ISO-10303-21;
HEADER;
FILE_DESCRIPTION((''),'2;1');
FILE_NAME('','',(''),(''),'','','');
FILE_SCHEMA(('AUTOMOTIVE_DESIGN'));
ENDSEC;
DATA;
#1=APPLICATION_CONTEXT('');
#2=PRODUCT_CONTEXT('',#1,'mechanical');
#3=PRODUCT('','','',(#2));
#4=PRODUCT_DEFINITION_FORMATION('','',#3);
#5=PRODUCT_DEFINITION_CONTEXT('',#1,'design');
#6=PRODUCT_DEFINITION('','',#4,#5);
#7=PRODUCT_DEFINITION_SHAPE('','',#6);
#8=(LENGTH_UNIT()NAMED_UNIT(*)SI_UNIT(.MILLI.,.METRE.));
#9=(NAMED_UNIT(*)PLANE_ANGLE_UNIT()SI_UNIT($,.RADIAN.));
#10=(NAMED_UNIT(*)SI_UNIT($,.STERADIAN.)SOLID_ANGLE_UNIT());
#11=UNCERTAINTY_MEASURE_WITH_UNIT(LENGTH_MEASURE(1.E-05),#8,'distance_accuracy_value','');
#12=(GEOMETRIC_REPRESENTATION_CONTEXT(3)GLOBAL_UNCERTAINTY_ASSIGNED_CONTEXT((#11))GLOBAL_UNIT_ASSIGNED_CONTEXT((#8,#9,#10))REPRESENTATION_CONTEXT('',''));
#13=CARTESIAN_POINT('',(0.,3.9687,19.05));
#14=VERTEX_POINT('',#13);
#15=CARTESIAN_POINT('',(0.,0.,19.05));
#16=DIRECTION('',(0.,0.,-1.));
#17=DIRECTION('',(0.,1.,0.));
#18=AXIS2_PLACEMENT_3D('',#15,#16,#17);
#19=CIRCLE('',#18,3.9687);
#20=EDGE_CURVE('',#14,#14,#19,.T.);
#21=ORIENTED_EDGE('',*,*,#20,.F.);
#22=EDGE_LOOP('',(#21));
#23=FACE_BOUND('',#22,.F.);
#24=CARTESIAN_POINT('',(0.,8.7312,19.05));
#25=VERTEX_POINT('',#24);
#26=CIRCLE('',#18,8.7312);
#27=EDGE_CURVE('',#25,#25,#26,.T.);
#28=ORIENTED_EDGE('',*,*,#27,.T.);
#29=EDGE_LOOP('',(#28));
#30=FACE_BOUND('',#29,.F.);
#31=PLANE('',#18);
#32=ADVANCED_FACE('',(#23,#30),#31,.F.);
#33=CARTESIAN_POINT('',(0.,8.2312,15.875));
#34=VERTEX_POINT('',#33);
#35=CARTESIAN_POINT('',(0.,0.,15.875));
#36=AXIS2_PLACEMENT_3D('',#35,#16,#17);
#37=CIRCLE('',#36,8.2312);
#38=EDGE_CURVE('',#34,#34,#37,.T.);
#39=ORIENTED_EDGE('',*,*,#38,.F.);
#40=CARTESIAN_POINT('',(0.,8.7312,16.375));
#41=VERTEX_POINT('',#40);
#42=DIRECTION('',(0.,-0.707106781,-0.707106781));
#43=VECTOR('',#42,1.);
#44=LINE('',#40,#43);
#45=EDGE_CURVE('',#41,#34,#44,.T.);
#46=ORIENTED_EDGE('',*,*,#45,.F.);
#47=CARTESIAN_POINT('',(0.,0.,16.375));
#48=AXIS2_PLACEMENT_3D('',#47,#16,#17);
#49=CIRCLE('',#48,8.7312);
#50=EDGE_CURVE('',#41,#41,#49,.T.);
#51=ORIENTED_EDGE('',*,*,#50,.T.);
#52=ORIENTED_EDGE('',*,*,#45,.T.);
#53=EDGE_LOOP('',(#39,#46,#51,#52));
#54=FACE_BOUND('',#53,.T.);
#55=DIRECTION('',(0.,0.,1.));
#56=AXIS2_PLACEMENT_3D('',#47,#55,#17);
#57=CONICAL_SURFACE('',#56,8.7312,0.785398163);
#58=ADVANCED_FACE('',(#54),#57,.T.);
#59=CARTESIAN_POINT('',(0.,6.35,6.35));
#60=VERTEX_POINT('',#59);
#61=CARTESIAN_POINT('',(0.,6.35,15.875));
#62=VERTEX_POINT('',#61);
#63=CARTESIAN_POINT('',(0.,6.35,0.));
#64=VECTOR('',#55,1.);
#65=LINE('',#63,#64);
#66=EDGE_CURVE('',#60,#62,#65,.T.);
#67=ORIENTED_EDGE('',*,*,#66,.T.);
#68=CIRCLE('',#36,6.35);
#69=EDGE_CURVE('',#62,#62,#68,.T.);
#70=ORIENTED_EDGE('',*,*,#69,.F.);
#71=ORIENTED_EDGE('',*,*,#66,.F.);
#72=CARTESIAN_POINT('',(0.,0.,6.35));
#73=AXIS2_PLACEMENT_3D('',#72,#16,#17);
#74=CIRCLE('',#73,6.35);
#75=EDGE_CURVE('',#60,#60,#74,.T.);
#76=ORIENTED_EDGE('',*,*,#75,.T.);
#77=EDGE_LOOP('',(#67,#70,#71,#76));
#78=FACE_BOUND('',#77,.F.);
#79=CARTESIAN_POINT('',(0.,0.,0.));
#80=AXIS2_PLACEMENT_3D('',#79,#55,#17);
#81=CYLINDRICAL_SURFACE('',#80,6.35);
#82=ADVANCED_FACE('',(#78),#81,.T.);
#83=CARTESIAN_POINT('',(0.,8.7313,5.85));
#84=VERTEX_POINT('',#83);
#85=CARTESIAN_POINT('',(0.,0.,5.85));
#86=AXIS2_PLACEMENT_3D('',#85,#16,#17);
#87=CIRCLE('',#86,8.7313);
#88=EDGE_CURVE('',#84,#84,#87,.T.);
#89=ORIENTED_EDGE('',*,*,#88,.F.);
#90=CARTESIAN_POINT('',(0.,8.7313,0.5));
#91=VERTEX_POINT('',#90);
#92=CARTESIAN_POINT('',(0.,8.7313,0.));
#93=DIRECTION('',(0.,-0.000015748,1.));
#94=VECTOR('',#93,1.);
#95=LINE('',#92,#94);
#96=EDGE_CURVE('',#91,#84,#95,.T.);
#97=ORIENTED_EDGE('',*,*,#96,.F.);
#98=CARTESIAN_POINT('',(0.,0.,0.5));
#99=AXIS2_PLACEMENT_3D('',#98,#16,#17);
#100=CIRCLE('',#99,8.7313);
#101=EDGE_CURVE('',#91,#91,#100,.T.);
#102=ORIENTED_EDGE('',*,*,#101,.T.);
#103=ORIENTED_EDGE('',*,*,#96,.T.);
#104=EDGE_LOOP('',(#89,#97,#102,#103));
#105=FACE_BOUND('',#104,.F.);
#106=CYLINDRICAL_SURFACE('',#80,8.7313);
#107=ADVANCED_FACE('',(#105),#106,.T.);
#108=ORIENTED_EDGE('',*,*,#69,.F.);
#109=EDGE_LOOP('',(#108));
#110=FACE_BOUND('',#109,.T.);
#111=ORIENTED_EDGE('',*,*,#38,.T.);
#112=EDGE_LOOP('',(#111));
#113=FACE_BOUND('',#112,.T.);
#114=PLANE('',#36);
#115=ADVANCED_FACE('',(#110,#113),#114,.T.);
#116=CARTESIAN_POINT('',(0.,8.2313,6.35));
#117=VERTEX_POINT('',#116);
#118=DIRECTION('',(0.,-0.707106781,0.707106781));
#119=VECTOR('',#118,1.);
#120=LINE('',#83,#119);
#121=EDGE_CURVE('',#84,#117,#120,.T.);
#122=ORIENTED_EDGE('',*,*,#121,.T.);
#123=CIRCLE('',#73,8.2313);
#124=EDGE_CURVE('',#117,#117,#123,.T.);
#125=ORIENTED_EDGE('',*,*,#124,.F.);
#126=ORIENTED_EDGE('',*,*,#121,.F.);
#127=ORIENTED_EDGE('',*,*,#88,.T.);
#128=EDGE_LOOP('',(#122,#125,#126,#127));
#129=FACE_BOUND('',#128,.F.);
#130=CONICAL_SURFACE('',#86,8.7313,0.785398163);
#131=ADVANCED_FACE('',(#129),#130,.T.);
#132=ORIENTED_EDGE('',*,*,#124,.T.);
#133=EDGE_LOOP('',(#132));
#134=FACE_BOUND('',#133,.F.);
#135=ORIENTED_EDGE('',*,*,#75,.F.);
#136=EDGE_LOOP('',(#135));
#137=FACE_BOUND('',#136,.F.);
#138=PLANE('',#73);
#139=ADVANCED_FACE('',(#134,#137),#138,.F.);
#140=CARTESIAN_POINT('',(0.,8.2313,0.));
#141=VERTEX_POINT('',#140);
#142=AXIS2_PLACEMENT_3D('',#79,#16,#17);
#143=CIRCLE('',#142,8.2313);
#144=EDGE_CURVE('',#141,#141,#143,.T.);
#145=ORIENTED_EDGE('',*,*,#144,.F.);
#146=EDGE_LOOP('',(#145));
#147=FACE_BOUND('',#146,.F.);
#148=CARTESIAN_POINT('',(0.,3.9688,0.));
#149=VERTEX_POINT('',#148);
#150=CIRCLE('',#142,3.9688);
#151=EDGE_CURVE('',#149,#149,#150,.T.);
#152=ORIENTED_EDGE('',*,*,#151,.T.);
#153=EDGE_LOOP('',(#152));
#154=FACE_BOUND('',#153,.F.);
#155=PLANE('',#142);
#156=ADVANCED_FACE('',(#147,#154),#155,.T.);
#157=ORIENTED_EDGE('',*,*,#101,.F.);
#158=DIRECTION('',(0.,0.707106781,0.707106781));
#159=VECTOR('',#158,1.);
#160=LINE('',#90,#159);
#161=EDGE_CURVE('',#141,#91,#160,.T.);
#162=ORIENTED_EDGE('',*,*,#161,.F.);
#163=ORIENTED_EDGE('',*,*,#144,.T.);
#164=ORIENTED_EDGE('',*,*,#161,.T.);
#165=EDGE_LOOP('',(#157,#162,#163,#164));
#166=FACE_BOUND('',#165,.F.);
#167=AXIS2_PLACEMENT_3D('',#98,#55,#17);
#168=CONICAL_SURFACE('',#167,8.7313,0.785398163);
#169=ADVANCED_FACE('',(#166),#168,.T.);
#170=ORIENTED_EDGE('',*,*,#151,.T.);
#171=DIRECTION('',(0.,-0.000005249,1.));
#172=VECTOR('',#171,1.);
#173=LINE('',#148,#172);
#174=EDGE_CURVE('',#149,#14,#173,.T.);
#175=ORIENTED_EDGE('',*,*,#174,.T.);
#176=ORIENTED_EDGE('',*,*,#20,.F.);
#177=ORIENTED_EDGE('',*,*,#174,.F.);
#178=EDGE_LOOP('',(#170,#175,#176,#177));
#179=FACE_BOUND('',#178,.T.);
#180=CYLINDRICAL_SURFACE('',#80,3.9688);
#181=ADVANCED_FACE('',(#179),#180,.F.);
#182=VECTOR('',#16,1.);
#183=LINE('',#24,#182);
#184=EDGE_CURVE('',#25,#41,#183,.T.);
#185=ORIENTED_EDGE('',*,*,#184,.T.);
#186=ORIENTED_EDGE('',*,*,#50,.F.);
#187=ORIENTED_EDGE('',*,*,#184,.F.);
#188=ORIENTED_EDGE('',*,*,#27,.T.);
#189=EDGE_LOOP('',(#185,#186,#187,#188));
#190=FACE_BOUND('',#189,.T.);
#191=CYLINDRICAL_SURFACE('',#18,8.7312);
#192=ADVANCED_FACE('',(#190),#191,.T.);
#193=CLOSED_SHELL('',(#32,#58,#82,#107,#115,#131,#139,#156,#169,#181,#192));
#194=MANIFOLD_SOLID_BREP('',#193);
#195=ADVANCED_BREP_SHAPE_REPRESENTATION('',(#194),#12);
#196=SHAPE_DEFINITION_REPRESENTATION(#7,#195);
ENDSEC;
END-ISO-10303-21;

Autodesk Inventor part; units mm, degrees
ref_plane "YZ Plane" through (0, 0, 0) normal (1, 0, 0) x (0, 1, 0)
ref_plane "XZ Plane" through (0, 0, 0) normal (0, 1, 0) x (-1, 0, 0)
ref_plane "XY Plane" through (0, 0, 0) normal (0, 0, 1) x (1, 0, 0)
sketch "Sketch1" plane through (0, 0, 0) normal (1, 0, 0) x (0, 1, 0)
  line L0 (0, 0) -> (3.9688, 0) construction
  line L1 (3.9688, 0) -> (3.9687, 19.05)
  line L2 (3.9687, 19.05) -> (0, 19.05) construction
  line L3 (0, 19.05) -> (0, 0) construction
  line L4 (3.9688, 0) -> (6.35, 0)
  line L5 (6.35, 0) -> (6.35, 19.05)
  line L6 (6.35, 19.05) -> (3.9687, 19.05)
  line L7 (3.9687, 19.05) -> (3.9688, 0)
  line L8 (6.35, 0) -> (8.7313, 0)
  line L9 (8.7313, 0) -> (8.7312, 6.35)
  line L10 (8.7312, 6.35) -> (6.35, 6.35)
  line L11 (6.35, 6.35) -> (6.35, 0)
  line L12 (6.35, 19.05) -> (8.7312, 19.05)
  line L13 (8.7312, 19.05) -> (8.7312, 15.875)
  line L14 (8.7312, 15.875) -> (6.35, 15.875)
  line L15 (6.35, 15.875) -> (6.35, 19.05)
  point P0 (6.35, 6.35)
  point P1 (6.35, 15.875)
  dimension "d0" = 3.9688
  dimension "d1" = 19.05
  dimension "d2" = 2.3813
  dimension "d3" = 2.3813
  dimension "d4" = 6.35
  dimension "d5" = 2.3813
  dimension "d8" = 9.525
revolve "Revolution1" add sketch "Sketch1" angle 360 about axis through (0, 0, 19.05) along (0, 0, -1)
chamfer "Chamfer1" distance 0.5 angle 45 3 edges at (0, -8.7313, 0) (0, -8.7312, 6.35) (0, -8.7312, 15.875)
equation "\"d5\" = d3"
properties part number "Spring Anchor" material "Nylon 6/6"
